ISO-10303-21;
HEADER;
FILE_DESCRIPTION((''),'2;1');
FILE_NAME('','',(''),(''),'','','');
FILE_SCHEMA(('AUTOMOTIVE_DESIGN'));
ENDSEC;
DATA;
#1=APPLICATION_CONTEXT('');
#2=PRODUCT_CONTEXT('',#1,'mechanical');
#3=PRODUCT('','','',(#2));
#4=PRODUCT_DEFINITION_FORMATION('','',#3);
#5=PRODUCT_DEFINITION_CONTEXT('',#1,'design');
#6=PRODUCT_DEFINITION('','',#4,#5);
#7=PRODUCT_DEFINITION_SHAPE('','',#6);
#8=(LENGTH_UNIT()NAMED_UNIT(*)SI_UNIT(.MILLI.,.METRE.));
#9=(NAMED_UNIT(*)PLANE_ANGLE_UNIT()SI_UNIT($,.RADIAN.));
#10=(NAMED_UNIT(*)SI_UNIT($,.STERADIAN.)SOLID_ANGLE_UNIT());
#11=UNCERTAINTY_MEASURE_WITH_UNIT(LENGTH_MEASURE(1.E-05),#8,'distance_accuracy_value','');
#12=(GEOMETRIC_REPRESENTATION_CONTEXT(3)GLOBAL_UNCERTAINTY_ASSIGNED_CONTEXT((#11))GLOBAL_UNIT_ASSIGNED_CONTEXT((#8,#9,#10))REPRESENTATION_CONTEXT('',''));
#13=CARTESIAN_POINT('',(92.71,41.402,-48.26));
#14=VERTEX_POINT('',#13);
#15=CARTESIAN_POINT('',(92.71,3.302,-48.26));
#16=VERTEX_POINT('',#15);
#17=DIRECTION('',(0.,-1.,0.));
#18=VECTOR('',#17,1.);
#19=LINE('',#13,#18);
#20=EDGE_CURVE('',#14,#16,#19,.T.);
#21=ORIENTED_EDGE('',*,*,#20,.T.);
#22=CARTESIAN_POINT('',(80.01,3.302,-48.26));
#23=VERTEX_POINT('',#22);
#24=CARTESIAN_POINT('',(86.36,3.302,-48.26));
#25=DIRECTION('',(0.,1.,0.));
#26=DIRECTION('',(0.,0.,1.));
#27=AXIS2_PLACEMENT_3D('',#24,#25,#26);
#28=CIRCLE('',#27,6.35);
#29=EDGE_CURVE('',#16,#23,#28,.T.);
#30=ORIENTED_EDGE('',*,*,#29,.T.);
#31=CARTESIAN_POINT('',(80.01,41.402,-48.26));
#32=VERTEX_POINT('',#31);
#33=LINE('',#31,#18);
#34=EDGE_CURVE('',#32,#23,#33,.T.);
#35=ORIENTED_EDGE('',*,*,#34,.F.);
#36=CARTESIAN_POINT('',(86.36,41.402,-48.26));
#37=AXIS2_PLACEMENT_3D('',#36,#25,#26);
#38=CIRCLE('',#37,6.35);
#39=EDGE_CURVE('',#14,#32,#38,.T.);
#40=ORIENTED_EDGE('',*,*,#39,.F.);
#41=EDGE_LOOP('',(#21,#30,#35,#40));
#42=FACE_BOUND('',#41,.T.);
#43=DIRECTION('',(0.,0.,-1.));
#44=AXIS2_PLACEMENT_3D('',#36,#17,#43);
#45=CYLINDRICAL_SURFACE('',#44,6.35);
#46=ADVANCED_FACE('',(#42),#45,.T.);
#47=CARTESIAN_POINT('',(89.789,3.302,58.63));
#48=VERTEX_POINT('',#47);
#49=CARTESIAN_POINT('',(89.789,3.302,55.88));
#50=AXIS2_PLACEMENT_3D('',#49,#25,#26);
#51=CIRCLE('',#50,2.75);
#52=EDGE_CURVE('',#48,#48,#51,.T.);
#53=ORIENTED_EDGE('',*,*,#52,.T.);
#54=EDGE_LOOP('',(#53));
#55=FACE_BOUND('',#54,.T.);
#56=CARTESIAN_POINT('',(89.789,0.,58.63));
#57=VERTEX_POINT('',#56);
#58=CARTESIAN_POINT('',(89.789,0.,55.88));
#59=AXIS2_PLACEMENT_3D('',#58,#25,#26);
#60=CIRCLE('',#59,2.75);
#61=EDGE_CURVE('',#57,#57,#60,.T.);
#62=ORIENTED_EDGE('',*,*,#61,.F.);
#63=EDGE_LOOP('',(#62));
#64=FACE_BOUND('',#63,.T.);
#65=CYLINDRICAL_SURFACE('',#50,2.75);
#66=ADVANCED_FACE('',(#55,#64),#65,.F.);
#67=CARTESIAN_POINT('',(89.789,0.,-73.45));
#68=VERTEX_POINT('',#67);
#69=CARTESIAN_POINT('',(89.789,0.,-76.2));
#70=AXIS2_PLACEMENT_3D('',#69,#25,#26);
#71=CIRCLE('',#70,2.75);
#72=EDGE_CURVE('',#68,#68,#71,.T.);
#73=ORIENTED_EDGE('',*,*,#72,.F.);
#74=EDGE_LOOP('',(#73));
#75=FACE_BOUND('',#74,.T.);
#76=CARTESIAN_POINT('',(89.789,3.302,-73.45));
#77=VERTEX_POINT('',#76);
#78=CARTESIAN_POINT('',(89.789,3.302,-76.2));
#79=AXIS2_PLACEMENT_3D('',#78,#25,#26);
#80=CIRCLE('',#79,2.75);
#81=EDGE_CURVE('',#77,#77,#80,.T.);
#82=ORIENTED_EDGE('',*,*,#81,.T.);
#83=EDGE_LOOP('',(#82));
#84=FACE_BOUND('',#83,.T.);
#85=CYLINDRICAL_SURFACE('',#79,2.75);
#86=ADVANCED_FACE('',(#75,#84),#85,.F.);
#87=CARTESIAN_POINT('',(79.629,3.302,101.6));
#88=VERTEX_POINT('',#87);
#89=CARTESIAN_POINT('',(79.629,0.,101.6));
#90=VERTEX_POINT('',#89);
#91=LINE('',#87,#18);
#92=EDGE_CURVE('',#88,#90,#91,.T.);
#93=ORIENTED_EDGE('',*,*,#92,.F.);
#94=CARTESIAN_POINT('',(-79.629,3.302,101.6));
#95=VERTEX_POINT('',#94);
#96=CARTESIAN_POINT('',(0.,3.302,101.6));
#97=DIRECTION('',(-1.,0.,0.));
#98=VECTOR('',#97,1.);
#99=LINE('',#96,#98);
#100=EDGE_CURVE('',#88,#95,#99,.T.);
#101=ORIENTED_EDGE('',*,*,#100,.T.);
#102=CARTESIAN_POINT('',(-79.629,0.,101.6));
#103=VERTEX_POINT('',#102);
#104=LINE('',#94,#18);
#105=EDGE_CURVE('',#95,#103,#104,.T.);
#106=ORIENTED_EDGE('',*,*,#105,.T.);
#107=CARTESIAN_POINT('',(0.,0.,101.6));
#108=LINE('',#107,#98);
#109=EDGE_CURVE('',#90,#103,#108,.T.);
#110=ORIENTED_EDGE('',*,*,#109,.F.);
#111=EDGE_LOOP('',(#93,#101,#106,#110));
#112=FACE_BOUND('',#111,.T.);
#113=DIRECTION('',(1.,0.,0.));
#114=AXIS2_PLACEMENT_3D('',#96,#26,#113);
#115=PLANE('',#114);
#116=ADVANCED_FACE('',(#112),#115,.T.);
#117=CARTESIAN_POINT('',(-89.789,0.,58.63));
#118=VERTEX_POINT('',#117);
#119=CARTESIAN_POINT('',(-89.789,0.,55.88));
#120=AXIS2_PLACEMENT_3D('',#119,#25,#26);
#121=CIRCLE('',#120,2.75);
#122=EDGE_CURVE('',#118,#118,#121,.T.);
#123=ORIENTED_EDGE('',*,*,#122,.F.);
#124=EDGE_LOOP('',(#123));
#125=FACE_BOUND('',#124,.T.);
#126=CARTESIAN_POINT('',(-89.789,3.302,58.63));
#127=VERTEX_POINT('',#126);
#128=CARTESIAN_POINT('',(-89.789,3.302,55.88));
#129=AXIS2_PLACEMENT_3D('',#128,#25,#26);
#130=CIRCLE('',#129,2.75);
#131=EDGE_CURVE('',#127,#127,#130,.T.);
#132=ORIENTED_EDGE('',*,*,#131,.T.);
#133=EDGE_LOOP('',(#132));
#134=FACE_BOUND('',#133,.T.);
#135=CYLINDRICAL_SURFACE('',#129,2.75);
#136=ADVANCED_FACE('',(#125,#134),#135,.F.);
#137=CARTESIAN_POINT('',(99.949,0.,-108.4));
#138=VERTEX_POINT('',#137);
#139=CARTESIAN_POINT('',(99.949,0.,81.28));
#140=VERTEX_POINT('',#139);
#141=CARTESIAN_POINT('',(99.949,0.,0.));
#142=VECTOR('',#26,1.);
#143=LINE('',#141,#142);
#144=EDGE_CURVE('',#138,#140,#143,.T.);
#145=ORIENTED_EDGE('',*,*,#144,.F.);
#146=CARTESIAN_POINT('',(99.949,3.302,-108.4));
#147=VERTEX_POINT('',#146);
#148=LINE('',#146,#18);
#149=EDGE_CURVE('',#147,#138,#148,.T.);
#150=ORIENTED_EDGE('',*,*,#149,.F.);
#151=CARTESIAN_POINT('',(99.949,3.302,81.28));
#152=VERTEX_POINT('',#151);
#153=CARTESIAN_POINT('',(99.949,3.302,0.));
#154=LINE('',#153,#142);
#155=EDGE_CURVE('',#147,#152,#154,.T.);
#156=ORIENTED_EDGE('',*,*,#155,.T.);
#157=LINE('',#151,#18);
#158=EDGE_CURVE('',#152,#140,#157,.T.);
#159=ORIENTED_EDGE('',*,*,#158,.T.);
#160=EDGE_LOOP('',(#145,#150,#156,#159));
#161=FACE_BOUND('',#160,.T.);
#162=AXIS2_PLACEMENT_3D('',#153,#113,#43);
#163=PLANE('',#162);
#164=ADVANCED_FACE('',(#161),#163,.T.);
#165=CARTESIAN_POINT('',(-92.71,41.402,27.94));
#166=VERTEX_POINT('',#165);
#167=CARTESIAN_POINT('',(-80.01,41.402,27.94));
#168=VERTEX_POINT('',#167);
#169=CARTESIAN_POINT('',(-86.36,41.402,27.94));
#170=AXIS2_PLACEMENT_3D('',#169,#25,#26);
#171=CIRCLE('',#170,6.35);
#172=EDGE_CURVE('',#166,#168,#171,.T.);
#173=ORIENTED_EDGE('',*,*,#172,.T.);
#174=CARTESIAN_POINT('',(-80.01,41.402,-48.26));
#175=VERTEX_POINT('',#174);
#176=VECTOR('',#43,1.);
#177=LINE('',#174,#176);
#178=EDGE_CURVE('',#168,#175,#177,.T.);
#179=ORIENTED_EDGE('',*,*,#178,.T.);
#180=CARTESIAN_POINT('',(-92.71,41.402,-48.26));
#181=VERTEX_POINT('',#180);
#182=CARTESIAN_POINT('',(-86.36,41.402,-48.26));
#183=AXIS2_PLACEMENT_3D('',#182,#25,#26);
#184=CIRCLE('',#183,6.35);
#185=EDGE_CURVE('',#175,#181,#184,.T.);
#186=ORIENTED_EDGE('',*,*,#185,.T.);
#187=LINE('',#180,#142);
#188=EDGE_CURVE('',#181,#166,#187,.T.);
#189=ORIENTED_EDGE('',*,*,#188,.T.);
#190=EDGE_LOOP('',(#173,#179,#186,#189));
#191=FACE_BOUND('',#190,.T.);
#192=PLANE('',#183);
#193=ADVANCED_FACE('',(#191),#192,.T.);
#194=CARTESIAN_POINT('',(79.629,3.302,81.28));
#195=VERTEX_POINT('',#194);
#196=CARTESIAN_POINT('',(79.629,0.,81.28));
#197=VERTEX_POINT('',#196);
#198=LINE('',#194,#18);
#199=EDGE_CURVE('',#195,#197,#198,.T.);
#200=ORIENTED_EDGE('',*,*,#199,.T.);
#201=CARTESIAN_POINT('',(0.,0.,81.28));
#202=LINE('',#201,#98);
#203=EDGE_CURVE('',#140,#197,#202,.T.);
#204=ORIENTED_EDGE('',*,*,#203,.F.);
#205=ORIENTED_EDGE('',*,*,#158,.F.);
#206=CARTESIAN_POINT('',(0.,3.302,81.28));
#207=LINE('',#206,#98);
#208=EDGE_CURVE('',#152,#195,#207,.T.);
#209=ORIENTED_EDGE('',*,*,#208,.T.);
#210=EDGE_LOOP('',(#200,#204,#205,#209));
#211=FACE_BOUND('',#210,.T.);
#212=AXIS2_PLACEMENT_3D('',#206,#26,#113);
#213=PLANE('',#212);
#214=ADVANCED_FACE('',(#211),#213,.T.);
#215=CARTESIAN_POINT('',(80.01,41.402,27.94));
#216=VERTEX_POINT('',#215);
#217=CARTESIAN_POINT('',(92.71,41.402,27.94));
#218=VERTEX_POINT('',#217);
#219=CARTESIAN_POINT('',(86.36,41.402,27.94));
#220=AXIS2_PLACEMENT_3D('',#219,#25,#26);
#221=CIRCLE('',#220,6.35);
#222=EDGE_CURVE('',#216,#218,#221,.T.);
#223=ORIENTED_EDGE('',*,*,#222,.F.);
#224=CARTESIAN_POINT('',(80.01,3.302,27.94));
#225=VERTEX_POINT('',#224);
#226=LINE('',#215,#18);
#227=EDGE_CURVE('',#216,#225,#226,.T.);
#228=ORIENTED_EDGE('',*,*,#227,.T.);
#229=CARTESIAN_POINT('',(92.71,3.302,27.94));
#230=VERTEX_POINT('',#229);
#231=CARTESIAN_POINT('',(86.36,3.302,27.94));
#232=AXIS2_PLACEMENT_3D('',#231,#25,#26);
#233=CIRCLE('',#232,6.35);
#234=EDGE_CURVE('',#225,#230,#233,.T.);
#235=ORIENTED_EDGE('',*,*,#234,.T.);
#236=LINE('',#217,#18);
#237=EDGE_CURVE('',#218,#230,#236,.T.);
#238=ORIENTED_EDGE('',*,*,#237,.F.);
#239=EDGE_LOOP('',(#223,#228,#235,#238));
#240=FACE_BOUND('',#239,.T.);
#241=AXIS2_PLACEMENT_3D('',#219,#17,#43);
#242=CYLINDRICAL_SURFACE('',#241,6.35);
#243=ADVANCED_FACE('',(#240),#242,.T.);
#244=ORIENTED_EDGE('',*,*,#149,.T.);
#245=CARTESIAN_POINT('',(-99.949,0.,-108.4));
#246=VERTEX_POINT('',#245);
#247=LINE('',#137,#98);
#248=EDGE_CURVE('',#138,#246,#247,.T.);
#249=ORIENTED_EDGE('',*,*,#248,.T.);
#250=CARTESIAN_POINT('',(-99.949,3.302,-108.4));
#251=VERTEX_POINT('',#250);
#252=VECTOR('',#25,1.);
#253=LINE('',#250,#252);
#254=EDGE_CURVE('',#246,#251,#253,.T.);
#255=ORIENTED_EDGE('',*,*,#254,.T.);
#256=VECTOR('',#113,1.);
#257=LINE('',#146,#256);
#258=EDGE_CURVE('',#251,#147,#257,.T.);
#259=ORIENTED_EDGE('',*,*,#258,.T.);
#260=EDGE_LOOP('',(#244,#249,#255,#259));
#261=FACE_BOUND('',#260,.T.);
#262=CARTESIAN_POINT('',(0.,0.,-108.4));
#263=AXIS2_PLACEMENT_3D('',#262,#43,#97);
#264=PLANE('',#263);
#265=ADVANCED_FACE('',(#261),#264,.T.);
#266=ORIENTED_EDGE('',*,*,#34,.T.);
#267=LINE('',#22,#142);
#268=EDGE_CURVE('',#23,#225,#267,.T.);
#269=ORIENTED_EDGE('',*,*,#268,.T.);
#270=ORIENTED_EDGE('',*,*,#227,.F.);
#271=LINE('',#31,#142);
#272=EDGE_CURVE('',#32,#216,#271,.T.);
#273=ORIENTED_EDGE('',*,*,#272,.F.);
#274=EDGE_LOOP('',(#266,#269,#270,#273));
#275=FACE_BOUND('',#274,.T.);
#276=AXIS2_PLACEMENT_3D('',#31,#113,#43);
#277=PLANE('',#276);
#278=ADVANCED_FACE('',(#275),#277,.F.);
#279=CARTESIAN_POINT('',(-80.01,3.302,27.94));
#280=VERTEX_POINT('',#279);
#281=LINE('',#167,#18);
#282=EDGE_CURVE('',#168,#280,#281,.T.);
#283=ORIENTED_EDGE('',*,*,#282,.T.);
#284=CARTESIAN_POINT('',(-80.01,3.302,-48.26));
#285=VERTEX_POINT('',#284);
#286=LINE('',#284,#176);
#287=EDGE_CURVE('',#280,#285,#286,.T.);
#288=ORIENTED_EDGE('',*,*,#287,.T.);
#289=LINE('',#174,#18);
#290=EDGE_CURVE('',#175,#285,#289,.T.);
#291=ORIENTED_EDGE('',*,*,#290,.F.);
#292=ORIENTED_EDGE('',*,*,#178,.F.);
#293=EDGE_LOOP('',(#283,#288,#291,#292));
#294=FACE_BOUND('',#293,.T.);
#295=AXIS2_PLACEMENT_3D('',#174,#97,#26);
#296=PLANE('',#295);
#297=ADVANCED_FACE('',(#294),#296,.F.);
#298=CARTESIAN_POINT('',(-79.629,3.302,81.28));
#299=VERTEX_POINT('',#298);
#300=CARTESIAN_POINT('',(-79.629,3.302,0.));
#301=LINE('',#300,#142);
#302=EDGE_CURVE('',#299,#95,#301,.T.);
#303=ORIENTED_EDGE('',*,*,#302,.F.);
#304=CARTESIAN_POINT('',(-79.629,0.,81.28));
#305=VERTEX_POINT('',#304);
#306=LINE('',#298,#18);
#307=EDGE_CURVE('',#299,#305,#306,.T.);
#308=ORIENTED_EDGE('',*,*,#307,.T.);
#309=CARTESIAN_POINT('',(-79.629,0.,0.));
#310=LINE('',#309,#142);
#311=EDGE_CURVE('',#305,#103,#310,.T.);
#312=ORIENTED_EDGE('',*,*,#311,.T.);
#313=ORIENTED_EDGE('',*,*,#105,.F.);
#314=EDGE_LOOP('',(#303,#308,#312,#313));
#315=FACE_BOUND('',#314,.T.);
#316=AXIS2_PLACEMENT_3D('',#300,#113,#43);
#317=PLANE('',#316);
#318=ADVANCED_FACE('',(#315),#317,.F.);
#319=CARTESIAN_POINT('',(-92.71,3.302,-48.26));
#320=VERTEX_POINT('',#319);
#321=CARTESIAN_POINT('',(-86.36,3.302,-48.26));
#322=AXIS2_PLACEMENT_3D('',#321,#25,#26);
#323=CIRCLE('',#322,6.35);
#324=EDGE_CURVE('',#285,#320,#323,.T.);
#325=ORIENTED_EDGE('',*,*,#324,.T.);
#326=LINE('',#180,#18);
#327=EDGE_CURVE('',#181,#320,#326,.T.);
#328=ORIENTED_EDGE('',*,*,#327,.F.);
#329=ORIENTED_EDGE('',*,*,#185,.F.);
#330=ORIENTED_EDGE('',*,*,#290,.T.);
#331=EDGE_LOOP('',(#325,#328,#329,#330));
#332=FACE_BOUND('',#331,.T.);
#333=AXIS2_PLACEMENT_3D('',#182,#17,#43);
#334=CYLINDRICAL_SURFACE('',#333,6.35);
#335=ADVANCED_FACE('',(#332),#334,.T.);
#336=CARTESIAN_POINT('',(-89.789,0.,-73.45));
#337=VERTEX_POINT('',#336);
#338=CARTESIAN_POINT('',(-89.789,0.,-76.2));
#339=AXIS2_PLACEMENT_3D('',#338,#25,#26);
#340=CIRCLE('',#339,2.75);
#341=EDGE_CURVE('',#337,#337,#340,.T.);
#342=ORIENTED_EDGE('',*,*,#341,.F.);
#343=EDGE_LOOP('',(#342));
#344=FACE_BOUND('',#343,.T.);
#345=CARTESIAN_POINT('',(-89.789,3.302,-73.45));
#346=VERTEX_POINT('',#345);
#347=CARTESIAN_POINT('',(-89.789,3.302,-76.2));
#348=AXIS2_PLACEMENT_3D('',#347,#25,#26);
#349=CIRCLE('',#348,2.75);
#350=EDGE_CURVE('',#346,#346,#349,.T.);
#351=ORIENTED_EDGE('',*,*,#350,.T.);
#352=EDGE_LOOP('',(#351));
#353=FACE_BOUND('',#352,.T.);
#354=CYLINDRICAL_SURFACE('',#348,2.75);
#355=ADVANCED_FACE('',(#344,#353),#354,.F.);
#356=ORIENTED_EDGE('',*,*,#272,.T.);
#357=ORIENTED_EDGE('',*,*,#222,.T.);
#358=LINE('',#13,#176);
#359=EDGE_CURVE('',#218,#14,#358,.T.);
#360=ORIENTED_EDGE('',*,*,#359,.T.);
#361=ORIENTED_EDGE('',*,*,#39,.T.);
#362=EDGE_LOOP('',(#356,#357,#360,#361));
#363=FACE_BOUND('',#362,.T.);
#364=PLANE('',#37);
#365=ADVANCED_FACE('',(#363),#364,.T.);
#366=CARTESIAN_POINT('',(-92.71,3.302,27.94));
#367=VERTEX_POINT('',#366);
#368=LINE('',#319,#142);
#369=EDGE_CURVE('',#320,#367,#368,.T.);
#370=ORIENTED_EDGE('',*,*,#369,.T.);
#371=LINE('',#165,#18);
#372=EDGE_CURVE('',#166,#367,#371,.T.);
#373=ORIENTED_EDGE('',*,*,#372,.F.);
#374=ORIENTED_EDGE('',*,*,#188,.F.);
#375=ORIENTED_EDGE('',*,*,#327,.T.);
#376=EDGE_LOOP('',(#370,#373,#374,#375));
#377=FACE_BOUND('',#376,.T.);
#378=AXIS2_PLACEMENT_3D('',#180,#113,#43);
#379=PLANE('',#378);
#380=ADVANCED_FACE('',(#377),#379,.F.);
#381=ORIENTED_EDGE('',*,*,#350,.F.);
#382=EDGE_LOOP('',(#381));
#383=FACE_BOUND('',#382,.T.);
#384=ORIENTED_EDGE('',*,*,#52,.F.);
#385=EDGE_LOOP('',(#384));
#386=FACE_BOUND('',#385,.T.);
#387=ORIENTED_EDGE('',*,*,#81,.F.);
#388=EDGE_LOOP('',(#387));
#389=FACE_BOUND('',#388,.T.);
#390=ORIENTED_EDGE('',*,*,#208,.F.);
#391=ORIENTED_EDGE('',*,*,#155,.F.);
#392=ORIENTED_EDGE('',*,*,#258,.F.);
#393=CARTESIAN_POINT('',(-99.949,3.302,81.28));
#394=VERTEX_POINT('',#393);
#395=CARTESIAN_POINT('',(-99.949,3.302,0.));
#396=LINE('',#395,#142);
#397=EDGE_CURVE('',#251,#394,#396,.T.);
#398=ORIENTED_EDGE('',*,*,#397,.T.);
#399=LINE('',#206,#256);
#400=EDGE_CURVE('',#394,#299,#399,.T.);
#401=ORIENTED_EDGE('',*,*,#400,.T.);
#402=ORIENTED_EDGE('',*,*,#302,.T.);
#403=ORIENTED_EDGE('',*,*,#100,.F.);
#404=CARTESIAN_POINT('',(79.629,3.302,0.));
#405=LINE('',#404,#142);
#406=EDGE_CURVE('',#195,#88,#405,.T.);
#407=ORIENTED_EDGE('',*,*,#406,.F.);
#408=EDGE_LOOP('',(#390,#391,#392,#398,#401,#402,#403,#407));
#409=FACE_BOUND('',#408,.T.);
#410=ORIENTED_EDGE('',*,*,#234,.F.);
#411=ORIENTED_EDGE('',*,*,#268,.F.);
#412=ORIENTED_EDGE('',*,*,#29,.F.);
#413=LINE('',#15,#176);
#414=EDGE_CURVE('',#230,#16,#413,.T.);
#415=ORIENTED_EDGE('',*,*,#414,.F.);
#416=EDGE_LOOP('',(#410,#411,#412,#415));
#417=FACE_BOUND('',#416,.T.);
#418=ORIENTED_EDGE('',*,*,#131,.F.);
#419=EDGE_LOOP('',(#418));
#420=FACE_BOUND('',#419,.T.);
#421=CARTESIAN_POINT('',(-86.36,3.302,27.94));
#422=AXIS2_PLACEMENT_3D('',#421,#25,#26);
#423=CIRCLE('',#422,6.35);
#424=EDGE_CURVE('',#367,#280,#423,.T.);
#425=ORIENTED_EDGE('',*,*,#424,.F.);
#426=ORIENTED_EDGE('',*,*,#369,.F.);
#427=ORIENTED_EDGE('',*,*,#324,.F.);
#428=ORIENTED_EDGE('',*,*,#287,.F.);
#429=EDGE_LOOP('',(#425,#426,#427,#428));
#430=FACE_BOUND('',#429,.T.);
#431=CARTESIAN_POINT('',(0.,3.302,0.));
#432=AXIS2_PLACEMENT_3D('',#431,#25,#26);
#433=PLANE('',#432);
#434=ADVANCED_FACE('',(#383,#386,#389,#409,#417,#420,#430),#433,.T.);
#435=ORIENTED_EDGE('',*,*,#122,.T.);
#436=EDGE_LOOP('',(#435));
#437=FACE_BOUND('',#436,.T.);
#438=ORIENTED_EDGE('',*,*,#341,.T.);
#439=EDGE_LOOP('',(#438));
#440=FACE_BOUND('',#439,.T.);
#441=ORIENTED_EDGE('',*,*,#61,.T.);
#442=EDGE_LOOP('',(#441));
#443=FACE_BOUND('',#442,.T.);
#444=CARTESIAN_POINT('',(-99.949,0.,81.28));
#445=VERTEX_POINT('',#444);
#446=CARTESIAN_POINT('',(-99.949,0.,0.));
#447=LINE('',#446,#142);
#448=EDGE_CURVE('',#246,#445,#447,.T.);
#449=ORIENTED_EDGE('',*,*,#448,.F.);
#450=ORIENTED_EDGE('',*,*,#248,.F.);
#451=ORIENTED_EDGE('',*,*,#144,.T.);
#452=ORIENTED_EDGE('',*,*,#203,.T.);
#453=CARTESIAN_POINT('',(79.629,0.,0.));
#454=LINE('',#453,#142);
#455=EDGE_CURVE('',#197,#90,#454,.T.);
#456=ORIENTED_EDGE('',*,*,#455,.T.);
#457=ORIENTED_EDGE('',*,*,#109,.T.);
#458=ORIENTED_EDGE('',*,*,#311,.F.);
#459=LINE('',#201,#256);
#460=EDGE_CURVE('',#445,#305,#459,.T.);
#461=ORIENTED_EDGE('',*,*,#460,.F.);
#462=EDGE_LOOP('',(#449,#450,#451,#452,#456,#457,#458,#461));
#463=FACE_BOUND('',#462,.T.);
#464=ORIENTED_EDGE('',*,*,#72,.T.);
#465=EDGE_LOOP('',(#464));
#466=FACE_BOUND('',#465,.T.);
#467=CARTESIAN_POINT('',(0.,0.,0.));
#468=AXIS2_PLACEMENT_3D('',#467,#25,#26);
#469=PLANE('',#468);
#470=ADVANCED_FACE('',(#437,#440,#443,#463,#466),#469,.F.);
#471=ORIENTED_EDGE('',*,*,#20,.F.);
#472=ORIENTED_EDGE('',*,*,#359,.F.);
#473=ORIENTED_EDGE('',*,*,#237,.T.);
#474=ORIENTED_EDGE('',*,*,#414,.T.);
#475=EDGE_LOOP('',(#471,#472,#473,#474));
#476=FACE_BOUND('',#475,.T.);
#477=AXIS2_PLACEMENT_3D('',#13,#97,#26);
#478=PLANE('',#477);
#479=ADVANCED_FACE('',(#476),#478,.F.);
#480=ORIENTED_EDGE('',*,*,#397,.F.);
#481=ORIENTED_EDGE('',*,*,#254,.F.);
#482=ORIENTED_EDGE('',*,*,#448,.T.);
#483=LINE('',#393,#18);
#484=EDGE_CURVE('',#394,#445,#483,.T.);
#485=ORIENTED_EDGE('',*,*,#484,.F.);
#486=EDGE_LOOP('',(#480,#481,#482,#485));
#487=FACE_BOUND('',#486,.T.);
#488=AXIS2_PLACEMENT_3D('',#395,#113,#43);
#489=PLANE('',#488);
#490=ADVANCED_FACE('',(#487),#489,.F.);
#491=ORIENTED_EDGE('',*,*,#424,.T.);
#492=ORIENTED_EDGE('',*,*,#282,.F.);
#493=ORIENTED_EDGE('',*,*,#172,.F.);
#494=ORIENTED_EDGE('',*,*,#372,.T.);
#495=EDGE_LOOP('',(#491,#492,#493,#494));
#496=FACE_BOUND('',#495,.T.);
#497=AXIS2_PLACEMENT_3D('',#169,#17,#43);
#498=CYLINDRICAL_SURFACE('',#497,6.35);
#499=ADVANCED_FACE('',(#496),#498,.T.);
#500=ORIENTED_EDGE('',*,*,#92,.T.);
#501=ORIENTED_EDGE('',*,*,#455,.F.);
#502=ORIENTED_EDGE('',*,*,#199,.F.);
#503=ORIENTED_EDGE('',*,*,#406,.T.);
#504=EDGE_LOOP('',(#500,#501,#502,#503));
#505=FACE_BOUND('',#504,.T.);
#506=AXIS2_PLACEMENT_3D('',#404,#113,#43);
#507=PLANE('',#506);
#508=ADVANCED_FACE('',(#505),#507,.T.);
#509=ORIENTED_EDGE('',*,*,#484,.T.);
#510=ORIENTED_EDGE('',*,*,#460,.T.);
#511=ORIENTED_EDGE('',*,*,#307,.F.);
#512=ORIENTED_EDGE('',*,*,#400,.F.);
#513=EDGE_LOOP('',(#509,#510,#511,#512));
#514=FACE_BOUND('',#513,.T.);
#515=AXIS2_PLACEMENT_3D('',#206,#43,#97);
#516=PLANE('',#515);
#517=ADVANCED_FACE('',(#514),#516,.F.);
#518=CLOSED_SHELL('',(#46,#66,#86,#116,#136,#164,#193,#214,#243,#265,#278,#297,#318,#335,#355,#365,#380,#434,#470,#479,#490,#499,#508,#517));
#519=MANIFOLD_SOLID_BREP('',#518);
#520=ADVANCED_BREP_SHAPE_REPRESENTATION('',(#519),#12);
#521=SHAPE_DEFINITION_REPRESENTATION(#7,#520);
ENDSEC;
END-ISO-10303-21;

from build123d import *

# Parameters (mm, degrees)
BOSS_EXTRUDE1_DEPTH  = 3.302
BOSS_EXTRUDE2_DEPTH  = 38.1
M5_CLEARANCE_HOLE1_D = 5.5
SKETCH6_W            = 199.898
SKETCH6_H            = 3.302
BOSS_EXTRUDE3_DEPTH  = 1.62
SKETCH7_W            = 199.898
SKETCH7_H            = 3.302
BOSS_EXTRUDE4_DEPTH  = 5.18


with BuildPart() as part:
    # Sketch1 → Boss-Extrude1 (new body)
    with BuildSketch(Plane(origin=(0, 0, 0), x_dir=(1, 0, 0), z_dir=(0, 1, 0))):
        Polygon((99.949, -81.28), (99.949, 101.6), (-99.949, 101.6), (-99.949, -81.28), (-79.629, -81.28), (-79.629, -101.6), (79.629, -101.6), (79.629, -81.28), align=None)
    extrude(amount=BOSS_EXTRUDE1_DEPTH)

    # Sketch3 → Boss-Extrude2 (add)
    with BuildSketch(Plane(origin=(0, 3.302, 0), x_dir=(1, 0, 0), z_dir=(0, 1, 0))):
        with BuildLine():
            Line((92.71, 48.26), (92.71, -27.94))
            ThreePointArc((92.71, -27.94), (86.36, -34.29), (80.01, -27.94))
            Line((80.01, -27.94), (80.01, 48.26))
            ThreePointArc((80.01, 48.26), (86.36, 54.61), (92.71, 48.26))
        make_face()
        with BuildLine():
            Line((-80.01, 48.26), (-80.01, -27.94))
            ThreePointArc((-80.01, -27.94), (-86.36, -34.29), (-92.71, -27.94))
            Line((-92.71, -27.94), (-92.71, 48.26))
            ThreePointArc((-92.71, 48.26), (-86.36, 54.61), (-80.01, 48.26))
        make_face()
    extrude(amount=BOSS_EXTRUDE2_DEPTH)

    # M5 Clearance Hole1 (through all)
    with Locations(Plane(origin=(0, 3.302, 0), x_dir=(1, 0, 0), z_dir=(0, 1, 0))):
        with Locations((-89.789, -55.88), (-89.789, 76.2), (89.789, -55.88), (89.789, 76.2)):
            Hole(M5_CLEARANCE_HOLE1_D / 2)

    # Sketch6 → Boss-Extrude3 (add)
    with BuildSketch(Plane(origin=(0, 0, -101.6), x_dir=(-1, 0, 0), z_dir=(0, 0, -1))):
        with Locations((0, 1.651)):
            Rectangle(SKETCH6_W, SKETCH6_H)
    extrude(amount=BOSS_EXTRUDE3_DEPTH)

    # Sketch7 → Boss-Extrude4 (add)
    with BuildSketch(Plane(origin=(0, 0, -103.22), x_dir=(-1, 0, 0), z_dir=(0, 0, -1))):
        with Locations((0, 1.651)):
            Rectangle(SKETCH7_W, SKETCH7_H)
    extrude(amount=BOSS_EXTRUDE4_DEPTH)


solid = part.part
